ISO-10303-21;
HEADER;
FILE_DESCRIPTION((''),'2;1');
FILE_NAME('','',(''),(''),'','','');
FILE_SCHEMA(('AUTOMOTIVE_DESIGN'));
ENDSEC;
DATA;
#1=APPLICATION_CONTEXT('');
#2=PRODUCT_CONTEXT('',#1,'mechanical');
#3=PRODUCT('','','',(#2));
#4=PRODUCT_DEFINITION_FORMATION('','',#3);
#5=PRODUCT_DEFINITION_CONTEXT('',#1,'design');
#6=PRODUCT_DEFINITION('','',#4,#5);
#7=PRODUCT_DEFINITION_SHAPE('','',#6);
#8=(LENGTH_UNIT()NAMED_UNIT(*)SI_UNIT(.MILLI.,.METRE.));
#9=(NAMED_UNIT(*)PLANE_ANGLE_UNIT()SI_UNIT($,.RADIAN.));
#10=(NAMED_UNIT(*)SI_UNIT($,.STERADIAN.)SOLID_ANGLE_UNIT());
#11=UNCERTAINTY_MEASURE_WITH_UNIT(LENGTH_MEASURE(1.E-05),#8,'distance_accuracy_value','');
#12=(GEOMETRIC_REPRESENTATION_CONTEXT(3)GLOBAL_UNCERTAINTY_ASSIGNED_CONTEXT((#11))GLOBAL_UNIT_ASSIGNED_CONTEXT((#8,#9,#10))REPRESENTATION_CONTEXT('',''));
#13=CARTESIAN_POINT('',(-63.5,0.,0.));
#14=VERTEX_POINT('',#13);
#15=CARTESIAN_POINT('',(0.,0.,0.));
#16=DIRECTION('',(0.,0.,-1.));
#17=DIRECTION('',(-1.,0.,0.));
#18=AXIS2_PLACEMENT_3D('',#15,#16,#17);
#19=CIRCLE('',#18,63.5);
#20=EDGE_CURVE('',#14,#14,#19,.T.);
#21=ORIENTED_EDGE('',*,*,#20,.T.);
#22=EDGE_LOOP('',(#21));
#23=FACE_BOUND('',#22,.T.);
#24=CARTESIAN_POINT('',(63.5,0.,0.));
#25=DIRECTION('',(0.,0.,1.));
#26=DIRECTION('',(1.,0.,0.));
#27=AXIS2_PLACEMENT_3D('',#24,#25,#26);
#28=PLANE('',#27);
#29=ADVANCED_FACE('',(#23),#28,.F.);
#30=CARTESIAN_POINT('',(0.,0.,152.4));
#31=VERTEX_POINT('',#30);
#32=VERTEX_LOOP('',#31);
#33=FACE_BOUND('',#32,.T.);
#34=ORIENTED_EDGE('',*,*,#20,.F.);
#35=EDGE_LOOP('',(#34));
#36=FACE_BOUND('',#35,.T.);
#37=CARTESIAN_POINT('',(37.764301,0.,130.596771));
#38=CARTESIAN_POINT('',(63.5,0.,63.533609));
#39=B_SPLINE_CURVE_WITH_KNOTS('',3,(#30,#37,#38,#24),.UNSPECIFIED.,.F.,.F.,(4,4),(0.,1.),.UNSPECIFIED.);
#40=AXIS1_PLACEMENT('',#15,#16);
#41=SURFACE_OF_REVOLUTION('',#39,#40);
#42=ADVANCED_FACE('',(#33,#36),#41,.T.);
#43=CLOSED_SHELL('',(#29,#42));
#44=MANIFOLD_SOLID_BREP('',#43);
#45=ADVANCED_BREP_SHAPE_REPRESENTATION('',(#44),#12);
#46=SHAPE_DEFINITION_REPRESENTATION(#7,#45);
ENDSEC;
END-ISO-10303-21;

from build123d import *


with BuildPart() as part:
    # Sketch1 → Revolve1 (revolve)
    with BuildSketch(Plane(origin=(0, 0, 0), x_dir=(1, 0, 0), z_dir=(0, 1, 0))):
        with BuildLine():
            Line((63.5, 0), (0, 0))
            Line((0, 0), (0, -152.4))
            add(Edge.make_bspline(
                [(63.5, 0), (63.5, -63.53360944), (37.764301179, -130.596770549), (0, -152.4)],
                knots=[0, 0, 0, 0, 1, 1, 1, 1], degree=3))
        make_face()
    revolve(axis=Axis((0, 0, 0), (0, 0, 1)))


solid = part.part
